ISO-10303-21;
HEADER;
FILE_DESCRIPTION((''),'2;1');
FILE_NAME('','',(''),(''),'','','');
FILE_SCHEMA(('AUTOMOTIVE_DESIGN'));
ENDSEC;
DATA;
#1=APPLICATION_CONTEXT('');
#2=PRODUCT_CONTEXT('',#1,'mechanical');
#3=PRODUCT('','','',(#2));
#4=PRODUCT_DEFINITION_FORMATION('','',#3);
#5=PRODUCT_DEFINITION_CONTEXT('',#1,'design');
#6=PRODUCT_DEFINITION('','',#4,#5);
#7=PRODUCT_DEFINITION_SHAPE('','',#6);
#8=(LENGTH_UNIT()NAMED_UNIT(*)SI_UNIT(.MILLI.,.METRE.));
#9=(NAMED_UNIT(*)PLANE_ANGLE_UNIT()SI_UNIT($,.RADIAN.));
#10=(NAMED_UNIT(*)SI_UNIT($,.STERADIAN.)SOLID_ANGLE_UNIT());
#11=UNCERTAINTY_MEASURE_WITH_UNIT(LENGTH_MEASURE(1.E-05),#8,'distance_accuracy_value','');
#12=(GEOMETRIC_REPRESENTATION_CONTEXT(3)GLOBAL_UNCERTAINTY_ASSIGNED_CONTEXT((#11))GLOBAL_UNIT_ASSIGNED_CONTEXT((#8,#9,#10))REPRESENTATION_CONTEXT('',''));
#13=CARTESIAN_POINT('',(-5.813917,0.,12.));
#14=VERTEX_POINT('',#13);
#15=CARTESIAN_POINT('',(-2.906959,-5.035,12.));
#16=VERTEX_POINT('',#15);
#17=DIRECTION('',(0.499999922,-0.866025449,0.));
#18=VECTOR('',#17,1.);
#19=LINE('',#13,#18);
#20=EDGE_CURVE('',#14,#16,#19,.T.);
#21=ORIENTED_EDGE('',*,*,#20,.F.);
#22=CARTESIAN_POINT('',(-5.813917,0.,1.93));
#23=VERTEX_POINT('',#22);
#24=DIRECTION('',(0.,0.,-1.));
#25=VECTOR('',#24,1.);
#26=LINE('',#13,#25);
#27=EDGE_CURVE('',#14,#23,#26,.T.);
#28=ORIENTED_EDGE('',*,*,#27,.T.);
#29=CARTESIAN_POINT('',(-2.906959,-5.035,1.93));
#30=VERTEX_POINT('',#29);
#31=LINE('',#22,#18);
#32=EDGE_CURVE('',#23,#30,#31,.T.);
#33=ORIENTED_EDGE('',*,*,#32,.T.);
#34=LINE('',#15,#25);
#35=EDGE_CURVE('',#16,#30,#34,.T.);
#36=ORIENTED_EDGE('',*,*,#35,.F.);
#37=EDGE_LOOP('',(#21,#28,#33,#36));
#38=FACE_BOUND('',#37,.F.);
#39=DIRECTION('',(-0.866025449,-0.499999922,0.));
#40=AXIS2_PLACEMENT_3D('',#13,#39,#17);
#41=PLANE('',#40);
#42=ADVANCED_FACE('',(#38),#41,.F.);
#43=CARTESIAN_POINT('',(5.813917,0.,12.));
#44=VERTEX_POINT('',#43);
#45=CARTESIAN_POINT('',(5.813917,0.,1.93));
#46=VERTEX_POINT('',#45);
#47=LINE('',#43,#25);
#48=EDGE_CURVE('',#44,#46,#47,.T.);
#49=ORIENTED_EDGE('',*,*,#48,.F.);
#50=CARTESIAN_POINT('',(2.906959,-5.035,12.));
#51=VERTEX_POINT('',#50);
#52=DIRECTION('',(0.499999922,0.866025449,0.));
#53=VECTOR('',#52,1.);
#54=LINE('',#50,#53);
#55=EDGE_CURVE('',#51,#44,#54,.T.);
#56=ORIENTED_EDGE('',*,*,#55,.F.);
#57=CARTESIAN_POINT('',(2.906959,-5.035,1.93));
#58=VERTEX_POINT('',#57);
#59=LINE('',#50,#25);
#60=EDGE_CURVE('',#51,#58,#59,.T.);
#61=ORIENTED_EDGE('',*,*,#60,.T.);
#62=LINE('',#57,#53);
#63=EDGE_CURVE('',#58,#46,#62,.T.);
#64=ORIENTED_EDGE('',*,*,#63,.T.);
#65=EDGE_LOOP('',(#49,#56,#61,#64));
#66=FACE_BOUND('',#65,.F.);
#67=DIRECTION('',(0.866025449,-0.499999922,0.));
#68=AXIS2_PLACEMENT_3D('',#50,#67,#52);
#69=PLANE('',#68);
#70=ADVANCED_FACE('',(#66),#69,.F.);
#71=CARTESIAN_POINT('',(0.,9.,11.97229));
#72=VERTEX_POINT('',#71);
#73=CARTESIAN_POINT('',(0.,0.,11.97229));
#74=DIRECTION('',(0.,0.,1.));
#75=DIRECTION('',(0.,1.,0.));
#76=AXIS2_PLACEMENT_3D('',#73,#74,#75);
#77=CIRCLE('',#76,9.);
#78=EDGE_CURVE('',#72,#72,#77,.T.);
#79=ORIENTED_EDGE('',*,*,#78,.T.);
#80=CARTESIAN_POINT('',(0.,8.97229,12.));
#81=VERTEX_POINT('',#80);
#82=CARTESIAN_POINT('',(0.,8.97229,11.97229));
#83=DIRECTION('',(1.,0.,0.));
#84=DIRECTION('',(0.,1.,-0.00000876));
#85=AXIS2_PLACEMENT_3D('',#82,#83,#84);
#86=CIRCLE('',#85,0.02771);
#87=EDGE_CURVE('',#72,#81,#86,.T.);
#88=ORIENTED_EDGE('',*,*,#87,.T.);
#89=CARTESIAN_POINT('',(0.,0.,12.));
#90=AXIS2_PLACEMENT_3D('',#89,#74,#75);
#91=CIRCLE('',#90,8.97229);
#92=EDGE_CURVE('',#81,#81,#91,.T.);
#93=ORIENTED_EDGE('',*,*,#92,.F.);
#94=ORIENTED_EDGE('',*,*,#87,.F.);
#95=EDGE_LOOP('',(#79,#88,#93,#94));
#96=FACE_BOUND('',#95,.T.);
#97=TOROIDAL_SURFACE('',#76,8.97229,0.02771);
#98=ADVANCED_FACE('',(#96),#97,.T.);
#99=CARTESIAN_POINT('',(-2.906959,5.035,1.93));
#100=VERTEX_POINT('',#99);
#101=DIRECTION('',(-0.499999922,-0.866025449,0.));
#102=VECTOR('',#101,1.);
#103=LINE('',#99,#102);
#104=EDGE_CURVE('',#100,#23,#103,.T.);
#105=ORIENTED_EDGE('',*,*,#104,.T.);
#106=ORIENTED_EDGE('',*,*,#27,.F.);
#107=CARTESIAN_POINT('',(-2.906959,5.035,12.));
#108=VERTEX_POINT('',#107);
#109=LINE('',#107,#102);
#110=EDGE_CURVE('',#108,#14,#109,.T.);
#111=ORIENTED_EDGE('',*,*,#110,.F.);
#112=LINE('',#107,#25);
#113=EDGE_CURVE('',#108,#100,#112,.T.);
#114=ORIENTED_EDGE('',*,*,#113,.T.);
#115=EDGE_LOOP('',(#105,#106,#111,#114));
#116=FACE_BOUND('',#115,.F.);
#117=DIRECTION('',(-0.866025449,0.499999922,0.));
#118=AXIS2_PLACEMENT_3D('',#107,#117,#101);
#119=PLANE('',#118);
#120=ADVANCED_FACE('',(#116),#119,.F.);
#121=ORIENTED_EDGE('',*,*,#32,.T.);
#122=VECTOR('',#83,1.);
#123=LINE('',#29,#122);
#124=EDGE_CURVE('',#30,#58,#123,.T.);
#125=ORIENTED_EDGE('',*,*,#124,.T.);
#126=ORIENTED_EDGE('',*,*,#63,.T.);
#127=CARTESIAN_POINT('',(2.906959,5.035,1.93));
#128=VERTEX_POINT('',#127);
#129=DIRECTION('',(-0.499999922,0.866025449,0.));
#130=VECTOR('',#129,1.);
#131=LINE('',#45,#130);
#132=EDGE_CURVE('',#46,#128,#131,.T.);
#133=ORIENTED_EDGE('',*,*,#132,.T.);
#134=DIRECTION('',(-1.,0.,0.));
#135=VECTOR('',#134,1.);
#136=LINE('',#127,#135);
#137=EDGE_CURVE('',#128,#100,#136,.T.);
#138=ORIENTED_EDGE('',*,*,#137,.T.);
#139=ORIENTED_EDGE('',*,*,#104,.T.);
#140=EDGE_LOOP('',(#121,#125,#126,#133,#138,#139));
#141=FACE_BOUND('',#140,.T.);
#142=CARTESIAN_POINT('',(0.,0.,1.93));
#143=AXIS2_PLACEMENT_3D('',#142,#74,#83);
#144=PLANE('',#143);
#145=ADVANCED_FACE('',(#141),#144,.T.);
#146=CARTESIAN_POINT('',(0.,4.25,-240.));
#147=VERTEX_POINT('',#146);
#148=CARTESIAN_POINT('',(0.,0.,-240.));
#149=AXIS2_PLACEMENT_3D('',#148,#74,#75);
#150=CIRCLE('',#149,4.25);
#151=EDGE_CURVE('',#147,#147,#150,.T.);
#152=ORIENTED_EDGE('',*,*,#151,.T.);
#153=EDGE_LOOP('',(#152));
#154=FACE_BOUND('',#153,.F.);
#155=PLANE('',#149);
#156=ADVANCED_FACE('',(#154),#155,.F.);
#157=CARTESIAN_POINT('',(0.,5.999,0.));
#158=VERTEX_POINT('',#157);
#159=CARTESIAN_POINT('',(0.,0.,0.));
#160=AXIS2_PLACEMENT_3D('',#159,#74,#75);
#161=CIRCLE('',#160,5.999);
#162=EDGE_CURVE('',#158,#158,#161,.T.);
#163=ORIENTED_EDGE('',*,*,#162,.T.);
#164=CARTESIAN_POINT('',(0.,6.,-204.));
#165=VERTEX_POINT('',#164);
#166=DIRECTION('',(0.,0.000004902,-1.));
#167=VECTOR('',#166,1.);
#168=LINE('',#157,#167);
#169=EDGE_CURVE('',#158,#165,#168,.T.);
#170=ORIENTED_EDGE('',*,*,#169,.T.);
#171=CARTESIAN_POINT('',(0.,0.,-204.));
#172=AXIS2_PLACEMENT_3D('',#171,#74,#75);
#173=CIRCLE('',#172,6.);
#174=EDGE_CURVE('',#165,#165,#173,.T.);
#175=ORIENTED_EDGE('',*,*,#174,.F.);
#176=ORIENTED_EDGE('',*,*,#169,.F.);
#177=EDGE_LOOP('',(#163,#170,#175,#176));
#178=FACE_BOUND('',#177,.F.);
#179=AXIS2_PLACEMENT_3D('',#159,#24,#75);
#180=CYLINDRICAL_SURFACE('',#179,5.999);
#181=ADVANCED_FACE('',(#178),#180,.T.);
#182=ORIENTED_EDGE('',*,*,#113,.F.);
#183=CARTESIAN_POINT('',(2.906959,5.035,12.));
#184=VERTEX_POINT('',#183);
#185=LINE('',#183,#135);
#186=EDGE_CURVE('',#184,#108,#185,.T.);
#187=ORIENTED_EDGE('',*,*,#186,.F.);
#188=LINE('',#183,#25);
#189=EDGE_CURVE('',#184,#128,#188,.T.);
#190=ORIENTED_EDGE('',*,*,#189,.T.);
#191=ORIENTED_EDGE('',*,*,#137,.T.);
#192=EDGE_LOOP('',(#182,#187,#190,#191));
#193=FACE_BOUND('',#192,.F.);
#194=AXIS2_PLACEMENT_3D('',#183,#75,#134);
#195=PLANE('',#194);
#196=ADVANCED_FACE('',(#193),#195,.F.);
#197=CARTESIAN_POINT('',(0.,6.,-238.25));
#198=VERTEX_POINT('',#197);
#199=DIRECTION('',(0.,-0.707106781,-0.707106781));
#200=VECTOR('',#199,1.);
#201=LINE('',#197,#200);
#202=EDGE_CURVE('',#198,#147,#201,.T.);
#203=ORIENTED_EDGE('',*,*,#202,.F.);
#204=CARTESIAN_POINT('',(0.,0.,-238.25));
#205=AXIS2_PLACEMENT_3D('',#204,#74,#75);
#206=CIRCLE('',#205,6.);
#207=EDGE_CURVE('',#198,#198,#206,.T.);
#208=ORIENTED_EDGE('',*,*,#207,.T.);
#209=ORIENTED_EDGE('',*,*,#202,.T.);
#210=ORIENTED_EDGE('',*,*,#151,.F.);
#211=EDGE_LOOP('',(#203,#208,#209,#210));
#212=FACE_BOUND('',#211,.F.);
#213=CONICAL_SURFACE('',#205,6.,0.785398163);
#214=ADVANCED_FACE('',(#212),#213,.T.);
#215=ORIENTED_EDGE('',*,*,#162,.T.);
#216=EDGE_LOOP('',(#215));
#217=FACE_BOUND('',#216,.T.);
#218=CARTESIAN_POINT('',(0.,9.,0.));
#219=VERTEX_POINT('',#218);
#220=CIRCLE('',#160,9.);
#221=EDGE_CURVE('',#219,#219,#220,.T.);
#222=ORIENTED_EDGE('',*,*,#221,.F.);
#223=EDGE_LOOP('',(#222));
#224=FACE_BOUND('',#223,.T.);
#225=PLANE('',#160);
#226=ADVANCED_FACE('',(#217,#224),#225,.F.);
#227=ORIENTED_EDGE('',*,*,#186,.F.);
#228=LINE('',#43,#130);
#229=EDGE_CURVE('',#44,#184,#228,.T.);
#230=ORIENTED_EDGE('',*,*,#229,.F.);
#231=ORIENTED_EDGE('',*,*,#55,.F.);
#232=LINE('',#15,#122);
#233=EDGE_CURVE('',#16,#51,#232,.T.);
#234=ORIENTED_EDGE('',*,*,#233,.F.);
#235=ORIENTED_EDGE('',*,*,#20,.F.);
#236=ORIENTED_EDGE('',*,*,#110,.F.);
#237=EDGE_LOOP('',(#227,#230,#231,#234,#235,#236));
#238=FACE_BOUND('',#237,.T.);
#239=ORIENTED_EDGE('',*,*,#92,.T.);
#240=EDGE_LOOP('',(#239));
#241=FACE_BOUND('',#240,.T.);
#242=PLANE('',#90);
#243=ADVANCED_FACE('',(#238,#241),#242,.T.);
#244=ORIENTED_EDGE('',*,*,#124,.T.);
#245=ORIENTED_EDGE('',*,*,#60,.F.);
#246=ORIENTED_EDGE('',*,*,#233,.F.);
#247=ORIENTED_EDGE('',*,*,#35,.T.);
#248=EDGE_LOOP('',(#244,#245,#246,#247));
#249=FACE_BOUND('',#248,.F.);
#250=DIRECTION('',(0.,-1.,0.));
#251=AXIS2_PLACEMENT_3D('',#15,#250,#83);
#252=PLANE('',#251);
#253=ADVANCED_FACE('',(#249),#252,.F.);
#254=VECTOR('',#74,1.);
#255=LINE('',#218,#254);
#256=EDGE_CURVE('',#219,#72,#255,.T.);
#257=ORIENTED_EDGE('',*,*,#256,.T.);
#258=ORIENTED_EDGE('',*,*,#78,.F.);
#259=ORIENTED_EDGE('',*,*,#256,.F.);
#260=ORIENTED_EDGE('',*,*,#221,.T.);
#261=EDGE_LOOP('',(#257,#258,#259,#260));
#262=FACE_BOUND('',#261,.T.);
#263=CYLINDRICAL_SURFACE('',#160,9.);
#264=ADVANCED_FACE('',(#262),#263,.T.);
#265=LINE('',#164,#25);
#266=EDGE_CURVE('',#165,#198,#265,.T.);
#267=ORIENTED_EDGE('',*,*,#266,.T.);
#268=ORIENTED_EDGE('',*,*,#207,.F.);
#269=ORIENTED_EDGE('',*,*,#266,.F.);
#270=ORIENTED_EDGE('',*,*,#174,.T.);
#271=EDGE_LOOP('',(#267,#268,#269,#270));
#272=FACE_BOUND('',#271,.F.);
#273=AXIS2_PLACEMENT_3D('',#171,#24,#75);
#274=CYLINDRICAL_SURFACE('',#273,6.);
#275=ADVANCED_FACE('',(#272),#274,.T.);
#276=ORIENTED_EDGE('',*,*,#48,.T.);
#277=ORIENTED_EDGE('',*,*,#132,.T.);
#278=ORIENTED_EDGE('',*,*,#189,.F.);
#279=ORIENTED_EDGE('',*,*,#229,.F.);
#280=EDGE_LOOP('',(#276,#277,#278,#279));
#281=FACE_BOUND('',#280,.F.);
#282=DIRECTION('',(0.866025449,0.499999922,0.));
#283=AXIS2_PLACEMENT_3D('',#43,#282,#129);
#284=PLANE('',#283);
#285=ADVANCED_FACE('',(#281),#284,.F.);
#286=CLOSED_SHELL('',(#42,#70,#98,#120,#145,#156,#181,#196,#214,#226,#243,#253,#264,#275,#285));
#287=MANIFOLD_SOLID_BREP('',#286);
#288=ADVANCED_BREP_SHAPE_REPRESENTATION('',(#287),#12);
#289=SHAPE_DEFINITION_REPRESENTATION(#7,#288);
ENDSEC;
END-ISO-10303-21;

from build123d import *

# Parameters (mm, degrees)
POCKET_DEPTH = 10.07


with BuildPart() as part:
    # Sketch → Revolve (revolve)
    with BuildSketch(Plane.YZ):
        with BuildLine():
            Line((5.999, 0), (9, 0))
            Line((9, 0), (9, 11.97229))
            ThreePointArc((9, 11.97229), (8.991884, 11.991884), (8.97229, 12))
            Line((8.97229, 12), (0, 12))
            Line((0, -240), (0, 12))
            Line((4.25, -240), (0, -240))
            Line((6, -238.25), (4.25, -240))
            Line((6, -204), (6, -238.25))
            Line((5.999, 0), (6, -204))
        make_face()
    revolve(axis=Axis((0, 0, 0), (0, 0, 1)))

    # Sketch001 → Pocket (cut)
    with BuildSketch(Plane.XY.offset(12)):
        Polygon((5.813917, 0), (2.906959, 5.035), (-2.906959, 5.035), (-5.813917, 0), (-2.906959, -5.035), (2.906959, -5.035), align=None)
    extrude(amount=-POCKET_DEPTH, mode=Mode.SUBTRACT)


solid = part.part
